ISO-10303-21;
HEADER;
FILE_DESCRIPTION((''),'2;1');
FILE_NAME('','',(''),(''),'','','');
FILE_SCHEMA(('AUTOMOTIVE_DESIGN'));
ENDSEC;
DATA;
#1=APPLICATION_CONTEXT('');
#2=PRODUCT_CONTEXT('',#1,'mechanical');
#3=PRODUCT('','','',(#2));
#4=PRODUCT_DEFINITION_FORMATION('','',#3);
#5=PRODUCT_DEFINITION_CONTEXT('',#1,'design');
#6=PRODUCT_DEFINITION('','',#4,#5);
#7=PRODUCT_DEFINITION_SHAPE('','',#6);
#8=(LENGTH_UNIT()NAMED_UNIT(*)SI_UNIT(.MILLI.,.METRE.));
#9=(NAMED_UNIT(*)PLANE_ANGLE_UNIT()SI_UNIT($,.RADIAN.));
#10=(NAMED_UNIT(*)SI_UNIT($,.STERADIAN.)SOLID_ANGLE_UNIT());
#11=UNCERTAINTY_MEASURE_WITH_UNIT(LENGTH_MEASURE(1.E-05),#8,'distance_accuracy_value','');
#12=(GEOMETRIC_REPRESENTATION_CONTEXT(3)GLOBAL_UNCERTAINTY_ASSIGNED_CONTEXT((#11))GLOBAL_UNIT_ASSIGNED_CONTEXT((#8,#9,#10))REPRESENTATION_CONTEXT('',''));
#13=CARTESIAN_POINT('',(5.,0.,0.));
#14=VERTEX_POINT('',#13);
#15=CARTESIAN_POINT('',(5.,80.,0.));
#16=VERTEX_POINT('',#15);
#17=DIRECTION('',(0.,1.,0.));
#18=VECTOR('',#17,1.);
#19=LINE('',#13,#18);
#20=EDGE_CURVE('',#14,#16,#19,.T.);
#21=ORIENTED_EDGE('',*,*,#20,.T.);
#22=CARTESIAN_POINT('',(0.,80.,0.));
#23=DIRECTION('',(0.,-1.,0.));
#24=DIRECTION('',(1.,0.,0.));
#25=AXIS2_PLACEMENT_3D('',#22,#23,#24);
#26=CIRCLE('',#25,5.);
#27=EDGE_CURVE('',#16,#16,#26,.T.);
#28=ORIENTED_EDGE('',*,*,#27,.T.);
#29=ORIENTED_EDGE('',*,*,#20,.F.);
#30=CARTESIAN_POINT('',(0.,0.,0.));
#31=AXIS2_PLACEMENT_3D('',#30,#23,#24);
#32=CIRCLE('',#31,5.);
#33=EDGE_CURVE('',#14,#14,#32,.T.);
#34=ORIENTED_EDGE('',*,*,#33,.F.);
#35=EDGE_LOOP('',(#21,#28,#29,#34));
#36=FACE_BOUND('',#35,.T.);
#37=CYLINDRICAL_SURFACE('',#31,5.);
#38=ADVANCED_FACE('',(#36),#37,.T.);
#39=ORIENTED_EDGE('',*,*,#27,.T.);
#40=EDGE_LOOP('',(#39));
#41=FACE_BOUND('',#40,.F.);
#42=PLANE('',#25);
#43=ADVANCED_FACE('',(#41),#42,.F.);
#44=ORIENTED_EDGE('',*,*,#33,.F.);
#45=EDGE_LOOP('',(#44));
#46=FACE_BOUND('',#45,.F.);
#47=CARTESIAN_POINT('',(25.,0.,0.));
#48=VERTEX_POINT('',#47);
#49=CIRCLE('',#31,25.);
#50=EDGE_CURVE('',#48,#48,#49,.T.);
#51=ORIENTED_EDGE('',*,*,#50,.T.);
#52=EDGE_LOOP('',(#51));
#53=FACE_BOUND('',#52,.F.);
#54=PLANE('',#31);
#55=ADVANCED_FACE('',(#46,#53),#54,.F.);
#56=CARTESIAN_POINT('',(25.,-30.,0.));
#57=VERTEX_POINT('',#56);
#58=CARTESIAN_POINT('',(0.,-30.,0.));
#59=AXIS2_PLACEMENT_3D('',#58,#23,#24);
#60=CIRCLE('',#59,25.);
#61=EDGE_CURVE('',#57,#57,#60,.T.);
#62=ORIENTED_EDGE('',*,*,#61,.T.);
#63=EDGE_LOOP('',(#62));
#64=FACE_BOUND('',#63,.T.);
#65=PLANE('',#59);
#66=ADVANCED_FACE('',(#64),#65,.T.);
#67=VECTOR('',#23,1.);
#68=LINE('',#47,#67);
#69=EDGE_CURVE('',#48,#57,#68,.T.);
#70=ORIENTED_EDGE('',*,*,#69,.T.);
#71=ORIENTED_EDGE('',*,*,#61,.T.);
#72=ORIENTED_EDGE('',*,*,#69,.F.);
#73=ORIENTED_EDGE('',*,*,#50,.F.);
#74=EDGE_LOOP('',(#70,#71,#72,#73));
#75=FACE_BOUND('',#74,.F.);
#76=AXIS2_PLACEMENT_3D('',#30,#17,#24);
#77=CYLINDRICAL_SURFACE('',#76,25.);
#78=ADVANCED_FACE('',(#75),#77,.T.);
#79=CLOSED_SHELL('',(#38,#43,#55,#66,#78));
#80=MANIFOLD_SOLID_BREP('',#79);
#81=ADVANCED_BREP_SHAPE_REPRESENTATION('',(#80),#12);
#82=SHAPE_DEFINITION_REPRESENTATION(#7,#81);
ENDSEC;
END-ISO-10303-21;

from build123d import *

# Parameters (mm, degrees)
F0_R     = 5
F1_DEPTH = 80
F3_R     = 25
F4_DEPTH = 30


with BuildPart() as f1:
    # F0 (on Front) → F1 (new body)
    with BuildSketch(Plane.XZ):
        Circle(F0_R)
    extrude(amount=-F1_DEPTH)

    # F3 (on offset) → F4 (join)
    with BuildSketch(Plane.XZ):
        Circle(F3_R)
    extrude(amount=F4_DEPTH)


solid = f1.part
